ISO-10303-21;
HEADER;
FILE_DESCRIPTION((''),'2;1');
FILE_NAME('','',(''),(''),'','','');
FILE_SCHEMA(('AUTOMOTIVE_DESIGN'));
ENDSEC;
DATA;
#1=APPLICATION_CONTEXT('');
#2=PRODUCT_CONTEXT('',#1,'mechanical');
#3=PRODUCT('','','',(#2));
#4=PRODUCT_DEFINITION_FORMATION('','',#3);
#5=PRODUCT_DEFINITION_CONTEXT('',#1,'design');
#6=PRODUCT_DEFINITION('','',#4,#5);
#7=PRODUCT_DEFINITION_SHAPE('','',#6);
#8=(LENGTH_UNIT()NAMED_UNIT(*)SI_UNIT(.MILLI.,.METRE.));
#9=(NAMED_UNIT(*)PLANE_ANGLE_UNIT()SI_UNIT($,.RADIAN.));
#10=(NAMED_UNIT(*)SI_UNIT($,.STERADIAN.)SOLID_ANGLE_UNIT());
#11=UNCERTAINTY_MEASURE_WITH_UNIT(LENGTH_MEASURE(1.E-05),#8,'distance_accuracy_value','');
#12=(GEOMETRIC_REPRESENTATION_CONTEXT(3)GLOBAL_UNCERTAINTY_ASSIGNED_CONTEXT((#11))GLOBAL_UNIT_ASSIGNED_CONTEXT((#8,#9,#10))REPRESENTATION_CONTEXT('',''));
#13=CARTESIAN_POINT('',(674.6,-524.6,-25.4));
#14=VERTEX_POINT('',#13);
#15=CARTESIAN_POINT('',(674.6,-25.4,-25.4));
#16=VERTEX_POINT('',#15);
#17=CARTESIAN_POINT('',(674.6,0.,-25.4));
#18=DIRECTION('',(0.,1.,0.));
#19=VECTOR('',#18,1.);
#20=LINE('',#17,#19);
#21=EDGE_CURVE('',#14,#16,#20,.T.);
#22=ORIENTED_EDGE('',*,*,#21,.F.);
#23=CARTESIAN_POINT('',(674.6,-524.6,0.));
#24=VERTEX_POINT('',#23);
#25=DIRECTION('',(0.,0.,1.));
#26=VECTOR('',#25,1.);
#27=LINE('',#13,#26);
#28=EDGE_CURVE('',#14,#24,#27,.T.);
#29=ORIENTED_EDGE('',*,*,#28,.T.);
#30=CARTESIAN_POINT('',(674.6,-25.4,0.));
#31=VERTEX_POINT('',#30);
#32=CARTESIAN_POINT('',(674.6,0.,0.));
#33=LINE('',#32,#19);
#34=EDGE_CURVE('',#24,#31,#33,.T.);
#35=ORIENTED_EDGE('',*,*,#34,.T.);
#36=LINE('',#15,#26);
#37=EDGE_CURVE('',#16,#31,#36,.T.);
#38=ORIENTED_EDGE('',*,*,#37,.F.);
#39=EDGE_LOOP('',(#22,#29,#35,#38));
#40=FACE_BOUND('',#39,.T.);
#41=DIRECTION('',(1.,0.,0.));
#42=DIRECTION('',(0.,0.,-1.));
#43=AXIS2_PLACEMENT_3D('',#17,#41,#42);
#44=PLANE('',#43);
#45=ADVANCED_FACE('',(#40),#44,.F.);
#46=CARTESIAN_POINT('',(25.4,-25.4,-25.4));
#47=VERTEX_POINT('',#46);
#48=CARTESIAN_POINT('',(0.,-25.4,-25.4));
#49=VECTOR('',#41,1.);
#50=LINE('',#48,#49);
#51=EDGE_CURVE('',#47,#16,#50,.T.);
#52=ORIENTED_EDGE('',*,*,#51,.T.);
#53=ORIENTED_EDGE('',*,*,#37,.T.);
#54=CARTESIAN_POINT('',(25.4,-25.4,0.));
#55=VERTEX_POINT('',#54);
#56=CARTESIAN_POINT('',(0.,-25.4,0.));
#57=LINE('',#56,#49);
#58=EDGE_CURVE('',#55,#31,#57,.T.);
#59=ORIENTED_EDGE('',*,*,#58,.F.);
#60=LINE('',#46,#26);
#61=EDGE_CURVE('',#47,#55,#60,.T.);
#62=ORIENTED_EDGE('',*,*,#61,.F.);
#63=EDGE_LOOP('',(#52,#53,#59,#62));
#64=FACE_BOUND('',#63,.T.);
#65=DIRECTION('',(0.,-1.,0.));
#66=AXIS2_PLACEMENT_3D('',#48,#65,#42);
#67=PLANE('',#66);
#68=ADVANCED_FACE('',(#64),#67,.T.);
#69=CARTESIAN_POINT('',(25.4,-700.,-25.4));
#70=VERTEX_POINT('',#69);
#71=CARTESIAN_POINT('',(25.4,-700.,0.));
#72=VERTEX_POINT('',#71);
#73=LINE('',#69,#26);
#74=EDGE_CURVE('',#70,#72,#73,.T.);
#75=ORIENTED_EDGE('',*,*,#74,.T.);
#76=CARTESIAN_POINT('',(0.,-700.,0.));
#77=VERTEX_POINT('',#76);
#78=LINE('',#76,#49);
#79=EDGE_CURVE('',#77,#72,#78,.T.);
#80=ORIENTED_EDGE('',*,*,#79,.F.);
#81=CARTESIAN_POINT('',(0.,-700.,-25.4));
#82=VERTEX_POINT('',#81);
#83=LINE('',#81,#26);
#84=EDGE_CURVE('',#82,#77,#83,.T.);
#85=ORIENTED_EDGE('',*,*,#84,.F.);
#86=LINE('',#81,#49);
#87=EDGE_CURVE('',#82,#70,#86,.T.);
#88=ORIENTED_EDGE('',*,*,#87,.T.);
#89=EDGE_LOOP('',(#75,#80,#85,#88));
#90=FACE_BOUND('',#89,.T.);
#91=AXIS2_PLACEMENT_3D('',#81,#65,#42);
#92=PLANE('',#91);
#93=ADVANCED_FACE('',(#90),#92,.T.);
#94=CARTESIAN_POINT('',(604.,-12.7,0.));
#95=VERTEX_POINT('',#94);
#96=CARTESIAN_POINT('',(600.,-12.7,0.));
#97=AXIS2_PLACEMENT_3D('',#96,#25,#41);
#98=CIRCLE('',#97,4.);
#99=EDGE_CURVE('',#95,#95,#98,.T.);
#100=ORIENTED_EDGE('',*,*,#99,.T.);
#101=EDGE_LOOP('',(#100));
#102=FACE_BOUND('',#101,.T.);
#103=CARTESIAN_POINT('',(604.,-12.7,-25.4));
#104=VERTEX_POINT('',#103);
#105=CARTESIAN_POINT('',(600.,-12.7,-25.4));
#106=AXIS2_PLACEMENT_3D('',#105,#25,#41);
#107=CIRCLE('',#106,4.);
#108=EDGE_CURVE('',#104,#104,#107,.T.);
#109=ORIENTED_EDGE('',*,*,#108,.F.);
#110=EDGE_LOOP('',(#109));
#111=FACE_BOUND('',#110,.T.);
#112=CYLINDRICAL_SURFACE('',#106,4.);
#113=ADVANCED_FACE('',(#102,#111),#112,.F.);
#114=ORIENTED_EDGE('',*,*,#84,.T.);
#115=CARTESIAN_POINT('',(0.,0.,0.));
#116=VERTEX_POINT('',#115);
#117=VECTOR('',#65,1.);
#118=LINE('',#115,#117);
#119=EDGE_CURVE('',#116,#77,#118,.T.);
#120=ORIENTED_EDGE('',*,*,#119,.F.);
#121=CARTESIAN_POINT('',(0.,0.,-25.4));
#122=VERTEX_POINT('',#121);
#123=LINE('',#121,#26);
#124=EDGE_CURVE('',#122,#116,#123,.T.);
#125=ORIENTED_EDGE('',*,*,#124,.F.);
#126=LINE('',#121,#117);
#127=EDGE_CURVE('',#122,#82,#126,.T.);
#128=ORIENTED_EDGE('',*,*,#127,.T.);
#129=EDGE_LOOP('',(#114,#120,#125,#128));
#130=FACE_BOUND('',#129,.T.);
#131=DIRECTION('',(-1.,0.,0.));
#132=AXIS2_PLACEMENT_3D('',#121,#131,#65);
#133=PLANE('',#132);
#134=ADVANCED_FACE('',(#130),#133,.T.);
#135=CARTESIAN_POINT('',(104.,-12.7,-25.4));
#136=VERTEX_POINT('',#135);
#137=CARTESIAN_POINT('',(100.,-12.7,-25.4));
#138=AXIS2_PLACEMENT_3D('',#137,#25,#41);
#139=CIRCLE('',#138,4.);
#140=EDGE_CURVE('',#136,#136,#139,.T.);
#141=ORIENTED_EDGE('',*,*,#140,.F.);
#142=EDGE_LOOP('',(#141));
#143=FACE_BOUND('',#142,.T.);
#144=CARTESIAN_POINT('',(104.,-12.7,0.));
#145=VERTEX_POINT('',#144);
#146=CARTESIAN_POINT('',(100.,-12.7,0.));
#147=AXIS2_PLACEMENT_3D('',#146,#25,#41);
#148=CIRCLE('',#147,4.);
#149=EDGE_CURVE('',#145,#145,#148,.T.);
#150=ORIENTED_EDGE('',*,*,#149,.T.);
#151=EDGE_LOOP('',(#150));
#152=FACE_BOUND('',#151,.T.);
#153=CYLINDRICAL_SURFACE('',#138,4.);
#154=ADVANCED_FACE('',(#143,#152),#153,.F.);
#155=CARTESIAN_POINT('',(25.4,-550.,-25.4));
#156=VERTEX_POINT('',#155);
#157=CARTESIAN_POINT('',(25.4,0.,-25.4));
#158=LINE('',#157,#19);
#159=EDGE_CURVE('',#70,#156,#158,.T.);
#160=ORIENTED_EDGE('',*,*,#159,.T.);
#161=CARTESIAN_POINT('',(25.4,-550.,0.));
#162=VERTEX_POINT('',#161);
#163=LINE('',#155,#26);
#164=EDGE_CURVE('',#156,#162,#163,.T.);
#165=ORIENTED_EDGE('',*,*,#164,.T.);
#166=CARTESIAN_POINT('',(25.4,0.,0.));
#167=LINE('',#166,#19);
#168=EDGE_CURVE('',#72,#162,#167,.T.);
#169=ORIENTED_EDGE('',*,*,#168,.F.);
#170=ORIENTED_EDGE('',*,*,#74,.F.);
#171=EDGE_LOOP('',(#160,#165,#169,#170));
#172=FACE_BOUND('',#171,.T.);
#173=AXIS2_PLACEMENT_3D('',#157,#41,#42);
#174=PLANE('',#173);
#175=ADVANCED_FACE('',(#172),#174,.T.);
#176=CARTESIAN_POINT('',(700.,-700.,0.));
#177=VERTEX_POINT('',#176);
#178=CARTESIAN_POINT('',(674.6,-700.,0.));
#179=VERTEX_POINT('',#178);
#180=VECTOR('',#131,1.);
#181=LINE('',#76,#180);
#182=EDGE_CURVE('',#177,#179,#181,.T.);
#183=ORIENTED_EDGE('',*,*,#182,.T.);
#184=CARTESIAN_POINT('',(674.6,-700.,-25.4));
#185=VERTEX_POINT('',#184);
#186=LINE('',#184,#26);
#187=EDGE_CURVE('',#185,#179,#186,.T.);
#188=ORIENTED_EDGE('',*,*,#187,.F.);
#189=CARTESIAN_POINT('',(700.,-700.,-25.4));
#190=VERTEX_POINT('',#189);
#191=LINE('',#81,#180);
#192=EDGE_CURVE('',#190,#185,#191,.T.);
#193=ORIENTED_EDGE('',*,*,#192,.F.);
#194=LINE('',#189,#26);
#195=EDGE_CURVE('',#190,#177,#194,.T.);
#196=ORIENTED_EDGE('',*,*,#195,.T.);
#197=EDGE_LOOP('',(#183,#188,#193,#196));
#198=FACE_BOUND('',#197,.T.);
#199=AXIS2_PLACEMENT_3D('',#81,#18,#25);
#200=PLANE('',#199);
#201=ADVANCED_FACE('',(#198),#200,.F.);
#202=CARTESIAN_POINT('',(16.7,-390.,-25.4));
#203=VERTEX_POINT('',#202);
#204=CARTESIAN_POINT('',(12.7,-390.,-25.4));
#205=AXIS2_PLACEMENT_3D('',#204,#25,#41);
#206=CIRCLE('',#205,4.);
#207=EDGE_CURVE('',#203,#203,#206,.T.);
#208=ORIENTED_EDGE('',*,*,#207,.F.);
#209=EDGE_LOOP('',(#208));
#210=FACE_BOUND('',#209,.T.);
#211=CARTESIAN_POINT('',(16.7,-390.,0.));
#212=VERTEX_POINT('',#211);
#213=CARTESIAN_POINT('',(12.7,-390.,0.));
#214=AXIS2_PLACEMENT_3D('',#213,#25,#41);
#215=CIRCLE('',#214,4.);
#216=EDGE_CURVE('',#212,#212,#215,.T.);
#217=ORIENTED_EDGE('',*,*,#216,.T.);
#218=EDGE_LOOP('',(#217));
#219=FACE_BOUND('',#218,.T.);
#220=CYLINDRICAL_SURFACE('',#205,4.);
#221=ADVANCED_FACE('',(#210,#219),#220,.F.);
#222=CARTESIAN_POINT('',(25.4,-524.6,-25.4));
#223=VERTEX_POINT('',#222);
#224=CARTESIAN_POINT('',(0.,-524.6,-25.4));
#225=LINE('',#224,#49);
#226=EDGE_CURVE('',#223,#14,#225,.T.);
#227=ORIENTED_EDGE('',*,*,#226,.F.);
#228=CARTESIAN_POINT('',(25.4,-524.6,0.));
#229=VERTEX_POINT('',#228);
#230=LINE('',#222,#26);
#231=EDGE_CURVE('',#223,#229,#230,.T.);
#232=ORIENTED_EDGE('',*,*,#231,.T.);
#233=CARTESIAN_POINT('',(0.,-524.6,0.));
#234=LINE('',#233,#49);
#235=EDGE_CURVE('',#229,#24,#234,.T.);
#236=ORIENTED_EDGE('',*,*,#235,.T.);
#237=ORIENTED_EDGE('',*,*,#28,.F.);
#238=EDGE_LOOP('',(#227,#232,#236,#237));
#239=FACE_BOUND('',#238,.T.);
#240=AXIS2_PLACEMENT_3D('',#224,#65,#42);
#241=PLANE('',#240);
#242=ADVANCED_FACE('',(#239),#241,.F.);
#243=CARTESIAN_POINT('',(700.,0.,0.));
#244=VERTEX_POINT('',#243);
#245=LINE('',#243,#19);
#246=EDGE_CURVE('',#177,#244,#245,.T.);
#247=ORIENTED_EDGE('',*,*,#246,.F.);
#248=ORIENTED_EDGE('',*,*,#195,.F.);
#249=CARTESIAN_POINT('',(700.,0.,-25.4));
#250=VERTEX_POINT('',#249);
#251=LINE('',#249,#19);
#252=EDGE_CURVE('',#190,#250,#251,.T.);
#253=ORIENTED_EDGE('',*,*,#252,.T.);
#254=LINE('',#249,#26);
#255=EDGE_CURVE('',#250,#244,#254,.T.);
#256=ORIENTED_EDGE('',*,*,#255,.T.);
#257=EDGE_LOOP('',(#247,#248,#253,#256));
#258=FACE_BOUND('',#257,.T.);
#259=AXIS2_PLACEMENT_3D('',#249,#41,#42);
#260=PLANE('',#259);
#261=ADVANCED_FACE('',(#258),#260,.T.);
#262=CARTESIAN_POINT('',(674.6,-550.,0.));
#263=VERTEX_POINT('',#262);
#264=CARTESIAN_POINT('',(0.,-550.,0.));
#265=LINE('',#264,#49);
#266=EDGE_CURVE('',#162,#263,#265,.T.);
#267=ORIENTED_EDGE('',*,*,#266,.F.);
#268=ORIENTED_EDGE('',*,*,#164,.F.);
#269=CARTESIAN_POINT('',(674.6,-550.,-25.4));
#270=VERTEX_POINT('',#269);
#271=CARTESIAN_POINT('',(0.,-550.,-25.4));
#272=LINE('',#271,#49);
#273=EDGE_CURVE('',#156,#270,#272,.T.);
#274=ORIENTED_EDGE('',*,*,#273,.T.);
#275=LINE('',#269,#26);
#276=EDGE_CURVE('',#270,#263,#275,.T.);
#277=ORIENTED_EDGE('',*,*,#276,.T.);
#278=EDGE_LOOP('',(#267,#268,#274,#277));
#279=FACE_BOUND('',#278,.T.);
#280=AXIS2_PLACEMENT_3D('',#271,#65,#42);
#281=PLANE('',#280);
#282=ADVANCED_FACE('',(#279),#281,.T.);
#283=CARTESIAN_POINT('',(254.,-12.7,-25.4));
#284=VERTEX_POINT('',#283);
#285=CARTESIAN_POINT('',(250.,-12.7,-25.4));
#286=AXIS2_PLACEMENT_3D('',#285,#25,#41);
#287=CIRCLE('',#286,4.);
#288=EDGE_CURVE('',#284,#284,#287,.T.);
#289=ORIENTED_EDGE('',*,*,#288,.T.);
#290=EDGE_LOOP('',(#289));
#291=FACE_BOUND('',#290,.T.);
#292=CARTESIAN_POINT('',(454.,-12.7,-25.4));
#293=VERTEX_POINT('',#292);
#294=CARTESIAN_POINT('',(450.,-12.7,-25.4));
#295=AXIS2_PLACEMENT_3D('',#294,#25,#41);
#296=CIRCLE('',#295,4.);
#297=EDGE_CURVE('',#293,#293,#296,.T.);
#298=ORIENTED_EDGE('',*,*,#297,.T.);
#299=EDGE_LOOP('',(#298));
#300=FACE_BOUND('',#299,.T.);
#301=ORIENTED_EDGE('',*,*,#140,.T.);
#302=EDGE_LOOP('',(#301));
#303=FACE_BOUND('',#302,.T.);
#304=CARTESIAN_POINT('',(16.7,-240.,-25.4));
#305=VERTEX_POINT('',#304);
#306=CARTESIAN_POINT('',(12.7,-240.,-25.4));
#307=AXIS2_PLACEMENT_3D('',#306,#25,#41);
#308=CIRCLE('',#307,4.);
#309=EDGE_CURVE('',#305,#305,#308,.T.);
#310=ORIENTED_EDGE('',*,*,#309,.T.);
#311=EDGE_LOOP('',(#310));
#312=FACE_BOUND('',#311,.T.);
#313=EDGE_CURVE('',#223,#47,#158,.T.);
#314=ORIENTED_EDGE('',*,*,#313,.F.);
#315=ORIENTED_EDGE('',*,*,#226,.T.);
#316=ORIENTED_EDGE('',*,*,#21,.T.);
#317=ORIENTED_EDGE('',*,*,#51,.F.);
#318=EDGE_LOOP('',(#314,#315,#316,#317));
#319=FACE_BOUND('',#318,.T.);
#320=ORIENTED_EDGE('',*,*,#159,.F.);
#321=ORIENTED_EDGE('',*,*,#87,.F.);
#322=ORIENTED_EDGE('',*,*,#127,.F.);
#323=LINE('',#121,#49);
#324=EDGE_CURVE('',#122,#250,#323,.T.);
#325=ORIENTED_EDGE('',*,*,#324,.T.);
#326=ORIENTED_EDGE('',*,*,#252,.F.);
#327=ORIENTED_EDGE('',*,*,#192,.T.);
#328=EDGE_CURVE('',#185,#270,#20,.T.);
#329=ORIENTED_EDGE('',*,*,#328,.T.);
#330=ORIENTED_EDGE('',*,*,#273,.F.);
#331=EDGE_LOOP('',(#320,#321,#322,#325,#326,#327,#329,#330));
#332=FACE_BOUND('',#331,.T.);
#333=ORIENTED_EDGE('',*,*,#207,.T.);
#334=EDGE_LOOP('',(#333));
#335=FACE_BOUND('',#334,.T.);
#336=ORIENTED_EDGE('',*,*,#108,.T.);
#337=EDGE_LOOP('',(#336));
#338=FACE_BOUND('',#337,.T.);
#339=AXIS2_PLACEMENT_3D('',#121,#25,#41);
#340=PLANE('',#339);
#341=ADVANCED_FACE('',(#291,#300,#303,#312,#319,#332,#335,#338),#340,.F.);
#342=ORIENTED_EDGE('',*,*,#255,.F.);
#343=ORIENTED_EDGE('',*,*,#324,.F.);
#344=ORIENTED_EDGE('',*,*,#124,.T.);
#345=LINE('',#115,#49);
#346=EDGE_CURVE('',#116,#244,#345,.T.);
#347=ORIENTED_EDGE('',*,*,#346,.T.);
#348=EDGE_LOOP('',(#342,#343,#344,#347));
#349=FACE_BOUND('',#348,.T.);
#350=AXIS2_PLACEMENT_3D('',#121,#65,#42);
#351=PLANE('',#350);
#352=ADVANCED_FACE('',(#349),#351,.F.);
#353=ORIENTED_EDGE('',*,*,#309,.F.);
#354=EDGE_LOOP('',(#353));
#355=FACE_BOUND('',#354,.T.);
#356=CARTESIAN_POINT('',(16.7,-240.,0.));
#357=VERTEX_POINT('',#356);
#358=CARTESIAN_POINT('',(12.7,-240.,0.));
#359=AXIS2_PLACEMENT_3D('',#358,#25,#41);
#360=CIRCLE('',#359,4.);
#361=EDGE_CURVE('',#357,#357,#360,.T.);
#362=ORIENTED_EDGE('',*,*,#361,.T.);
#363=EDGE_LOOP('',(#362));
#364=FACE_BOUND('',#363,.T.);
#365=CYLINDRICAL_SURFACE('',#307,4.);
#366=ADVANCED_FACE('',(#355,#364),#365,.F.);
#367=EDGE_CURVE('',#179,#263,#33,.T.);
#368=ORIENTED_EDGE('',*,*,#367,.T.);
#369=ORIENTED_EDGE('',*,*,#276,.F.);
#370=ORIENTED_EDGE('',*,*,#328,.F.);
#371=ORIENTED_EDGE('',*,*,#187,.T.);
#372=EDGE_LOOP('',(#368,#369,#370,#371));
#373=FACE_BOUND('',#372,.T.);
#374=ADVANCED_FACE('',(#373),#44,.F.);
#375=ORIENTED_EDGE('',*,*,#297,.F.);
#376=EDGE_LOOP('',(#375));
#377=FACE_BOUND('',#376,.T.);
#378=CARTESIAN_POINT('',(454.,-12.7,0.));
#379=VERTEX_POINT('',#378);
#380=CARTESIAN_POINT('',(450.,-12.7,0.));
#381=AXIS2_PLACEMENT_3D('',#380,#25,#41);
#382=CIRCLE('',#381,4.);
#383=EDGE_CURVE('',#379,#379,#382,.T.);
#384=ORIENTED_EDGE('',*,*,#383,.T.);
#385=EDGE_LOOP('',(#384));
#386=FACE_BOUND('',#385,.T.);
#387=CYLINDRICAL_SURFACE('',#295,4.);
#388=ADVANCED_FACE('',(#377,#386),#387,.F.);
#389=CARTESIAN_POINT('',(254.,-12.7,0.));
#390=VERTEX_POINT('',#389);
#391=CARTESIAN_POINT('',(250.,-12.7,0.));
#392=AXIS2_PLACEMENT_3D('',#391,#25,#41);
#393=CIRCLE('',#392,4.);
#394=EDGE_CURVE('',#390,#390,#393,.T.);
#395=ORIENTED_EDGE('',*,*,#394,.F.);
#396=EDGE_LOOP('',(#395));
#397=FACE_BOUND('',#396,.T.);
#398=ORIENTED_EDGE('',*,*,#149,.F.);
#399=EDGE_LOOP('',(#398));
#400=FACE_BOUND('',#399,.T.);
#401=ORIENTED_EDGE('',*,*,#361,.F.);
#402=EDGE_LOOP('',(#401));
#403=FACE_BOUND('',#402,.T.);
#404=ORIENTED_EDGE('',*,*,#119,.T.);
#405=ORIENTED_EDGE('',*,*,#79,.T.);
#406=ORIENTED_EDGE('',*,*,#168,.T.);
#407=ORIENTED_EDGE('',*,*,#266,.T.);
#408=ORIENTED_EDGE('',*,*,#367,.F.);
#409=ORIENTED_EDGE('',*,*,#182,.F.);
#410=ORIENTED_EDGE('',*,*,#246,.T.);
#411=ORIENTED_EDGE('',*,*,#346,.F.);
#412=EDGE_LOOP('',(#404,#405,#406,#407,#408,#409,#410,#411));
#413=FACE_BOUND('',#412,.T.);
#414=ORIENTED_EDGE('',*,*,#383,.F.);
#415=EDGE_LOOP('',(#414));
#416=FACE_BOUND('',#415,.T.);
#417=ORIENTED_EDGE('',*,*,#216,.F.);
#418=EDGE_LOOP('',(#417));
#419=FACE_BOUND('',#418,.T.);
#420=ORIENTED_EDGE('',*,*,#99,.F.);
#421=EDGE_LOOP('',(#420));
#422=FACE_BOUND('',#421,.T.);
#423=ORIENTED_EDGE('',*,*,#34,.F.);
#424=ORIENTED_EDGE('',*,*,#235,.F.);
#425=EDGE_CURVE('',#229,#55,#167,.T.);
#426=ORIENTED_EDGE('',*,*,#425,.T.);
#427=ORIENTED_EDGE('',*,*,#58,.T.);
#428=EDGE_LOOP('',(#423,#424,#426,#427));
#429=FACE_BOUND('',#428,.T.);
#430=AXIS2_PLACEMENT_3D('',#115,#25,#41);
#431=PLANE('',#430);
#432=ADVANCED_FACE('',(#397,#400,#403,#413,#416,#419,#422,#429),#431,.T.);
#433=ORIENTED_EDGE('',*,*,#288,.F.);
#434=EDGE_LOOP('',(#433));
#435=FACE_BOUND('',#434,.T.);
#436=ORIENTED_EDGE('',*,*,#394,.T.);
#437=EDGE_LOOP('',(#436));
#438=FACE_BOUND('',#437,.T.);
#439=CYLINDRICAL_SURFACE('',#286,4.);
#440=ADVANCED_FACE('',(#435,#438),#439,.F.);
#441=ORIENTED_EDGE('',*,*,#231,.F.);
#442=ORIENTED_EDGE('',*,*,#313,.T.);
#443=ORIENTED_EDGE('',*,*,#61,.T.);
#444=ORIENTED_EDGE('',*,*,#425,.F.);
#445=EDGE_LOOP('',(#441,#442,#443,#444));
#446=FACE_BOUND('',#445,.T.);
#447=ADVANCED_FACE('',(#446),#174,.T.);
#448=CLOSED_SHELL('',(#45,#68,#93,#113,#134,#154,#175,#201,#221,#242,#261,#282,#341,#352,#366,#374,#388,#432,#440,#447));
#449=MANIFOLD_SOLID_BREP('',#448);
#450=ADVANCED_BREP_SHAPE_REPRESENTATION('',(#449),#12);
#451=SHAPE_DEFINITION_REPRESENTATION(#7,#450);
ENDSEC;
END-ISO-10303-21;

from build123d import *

# Parameters (mm, degrees)
SKETCH1_W           = 649.2
SKETCH1_H           = 25.4
BOSS_EXTRUDE3_DEPTH = 25.4
SKETCH15_R          = 4
CUT_EXTRUDE5_DEPTH  = 25.4
SKETCH11_R          = 4
CUT_EXTRUDE7_DEPTH  = 25.4


with BuildPart() as part:
    # Sketch1 → Boss-Extrude3 (new body)
    with BuildSketch(Plane.XY):
        Polygon((25.4, -700), (25.4, -25.4), (0, 0), (0, -700), align=None)
        Polygon((25.4, -25.4), (674.6, -25.4), (700, 0), (0, 0), align=None)
        Polygon((674.6, -25.4), (700, 0), (700, -700), (674.6, -700), align=None)
        with Locations((350, -537.3)):
            Rectangle(SKETCH1_W, SKETCH1_H)
    extrude(amount=-BOSS_EXTRUDE3_DEPTH)

    # Sketch15 → Cut-Extrude5 (cut)
    with BuildSketch(Plane.XY):
        with Locations((12.7, -240)):
            Circle(SKETCH15_R)
        with Locations((12.7, -390)):
            Circle(SKETCH15_R)
    extrude(amount=-CUT_EXTRUDE5_DEPTH, mode=Mode.SUBTRACT)

    # Sketch11 → Cut-Extrude7 (cut)
    with BuildSketch(Plane.XY):
        with Locations((100, -12.7)):
            Circle(SKETCH11_R)
        with Locations((250, -12.7)):
            Circle(SKETCH11_R)
        with Locations((600, -12.7)):
            Circle(SKETCH11_R)
        with Locations((450, -12.7)):
            Circle(SKETCH11_R)
    extrude(amount=-CUT_EXTRUDE7_DEPTH, mode=Mode.SUBTRACT)


solid = part.part
